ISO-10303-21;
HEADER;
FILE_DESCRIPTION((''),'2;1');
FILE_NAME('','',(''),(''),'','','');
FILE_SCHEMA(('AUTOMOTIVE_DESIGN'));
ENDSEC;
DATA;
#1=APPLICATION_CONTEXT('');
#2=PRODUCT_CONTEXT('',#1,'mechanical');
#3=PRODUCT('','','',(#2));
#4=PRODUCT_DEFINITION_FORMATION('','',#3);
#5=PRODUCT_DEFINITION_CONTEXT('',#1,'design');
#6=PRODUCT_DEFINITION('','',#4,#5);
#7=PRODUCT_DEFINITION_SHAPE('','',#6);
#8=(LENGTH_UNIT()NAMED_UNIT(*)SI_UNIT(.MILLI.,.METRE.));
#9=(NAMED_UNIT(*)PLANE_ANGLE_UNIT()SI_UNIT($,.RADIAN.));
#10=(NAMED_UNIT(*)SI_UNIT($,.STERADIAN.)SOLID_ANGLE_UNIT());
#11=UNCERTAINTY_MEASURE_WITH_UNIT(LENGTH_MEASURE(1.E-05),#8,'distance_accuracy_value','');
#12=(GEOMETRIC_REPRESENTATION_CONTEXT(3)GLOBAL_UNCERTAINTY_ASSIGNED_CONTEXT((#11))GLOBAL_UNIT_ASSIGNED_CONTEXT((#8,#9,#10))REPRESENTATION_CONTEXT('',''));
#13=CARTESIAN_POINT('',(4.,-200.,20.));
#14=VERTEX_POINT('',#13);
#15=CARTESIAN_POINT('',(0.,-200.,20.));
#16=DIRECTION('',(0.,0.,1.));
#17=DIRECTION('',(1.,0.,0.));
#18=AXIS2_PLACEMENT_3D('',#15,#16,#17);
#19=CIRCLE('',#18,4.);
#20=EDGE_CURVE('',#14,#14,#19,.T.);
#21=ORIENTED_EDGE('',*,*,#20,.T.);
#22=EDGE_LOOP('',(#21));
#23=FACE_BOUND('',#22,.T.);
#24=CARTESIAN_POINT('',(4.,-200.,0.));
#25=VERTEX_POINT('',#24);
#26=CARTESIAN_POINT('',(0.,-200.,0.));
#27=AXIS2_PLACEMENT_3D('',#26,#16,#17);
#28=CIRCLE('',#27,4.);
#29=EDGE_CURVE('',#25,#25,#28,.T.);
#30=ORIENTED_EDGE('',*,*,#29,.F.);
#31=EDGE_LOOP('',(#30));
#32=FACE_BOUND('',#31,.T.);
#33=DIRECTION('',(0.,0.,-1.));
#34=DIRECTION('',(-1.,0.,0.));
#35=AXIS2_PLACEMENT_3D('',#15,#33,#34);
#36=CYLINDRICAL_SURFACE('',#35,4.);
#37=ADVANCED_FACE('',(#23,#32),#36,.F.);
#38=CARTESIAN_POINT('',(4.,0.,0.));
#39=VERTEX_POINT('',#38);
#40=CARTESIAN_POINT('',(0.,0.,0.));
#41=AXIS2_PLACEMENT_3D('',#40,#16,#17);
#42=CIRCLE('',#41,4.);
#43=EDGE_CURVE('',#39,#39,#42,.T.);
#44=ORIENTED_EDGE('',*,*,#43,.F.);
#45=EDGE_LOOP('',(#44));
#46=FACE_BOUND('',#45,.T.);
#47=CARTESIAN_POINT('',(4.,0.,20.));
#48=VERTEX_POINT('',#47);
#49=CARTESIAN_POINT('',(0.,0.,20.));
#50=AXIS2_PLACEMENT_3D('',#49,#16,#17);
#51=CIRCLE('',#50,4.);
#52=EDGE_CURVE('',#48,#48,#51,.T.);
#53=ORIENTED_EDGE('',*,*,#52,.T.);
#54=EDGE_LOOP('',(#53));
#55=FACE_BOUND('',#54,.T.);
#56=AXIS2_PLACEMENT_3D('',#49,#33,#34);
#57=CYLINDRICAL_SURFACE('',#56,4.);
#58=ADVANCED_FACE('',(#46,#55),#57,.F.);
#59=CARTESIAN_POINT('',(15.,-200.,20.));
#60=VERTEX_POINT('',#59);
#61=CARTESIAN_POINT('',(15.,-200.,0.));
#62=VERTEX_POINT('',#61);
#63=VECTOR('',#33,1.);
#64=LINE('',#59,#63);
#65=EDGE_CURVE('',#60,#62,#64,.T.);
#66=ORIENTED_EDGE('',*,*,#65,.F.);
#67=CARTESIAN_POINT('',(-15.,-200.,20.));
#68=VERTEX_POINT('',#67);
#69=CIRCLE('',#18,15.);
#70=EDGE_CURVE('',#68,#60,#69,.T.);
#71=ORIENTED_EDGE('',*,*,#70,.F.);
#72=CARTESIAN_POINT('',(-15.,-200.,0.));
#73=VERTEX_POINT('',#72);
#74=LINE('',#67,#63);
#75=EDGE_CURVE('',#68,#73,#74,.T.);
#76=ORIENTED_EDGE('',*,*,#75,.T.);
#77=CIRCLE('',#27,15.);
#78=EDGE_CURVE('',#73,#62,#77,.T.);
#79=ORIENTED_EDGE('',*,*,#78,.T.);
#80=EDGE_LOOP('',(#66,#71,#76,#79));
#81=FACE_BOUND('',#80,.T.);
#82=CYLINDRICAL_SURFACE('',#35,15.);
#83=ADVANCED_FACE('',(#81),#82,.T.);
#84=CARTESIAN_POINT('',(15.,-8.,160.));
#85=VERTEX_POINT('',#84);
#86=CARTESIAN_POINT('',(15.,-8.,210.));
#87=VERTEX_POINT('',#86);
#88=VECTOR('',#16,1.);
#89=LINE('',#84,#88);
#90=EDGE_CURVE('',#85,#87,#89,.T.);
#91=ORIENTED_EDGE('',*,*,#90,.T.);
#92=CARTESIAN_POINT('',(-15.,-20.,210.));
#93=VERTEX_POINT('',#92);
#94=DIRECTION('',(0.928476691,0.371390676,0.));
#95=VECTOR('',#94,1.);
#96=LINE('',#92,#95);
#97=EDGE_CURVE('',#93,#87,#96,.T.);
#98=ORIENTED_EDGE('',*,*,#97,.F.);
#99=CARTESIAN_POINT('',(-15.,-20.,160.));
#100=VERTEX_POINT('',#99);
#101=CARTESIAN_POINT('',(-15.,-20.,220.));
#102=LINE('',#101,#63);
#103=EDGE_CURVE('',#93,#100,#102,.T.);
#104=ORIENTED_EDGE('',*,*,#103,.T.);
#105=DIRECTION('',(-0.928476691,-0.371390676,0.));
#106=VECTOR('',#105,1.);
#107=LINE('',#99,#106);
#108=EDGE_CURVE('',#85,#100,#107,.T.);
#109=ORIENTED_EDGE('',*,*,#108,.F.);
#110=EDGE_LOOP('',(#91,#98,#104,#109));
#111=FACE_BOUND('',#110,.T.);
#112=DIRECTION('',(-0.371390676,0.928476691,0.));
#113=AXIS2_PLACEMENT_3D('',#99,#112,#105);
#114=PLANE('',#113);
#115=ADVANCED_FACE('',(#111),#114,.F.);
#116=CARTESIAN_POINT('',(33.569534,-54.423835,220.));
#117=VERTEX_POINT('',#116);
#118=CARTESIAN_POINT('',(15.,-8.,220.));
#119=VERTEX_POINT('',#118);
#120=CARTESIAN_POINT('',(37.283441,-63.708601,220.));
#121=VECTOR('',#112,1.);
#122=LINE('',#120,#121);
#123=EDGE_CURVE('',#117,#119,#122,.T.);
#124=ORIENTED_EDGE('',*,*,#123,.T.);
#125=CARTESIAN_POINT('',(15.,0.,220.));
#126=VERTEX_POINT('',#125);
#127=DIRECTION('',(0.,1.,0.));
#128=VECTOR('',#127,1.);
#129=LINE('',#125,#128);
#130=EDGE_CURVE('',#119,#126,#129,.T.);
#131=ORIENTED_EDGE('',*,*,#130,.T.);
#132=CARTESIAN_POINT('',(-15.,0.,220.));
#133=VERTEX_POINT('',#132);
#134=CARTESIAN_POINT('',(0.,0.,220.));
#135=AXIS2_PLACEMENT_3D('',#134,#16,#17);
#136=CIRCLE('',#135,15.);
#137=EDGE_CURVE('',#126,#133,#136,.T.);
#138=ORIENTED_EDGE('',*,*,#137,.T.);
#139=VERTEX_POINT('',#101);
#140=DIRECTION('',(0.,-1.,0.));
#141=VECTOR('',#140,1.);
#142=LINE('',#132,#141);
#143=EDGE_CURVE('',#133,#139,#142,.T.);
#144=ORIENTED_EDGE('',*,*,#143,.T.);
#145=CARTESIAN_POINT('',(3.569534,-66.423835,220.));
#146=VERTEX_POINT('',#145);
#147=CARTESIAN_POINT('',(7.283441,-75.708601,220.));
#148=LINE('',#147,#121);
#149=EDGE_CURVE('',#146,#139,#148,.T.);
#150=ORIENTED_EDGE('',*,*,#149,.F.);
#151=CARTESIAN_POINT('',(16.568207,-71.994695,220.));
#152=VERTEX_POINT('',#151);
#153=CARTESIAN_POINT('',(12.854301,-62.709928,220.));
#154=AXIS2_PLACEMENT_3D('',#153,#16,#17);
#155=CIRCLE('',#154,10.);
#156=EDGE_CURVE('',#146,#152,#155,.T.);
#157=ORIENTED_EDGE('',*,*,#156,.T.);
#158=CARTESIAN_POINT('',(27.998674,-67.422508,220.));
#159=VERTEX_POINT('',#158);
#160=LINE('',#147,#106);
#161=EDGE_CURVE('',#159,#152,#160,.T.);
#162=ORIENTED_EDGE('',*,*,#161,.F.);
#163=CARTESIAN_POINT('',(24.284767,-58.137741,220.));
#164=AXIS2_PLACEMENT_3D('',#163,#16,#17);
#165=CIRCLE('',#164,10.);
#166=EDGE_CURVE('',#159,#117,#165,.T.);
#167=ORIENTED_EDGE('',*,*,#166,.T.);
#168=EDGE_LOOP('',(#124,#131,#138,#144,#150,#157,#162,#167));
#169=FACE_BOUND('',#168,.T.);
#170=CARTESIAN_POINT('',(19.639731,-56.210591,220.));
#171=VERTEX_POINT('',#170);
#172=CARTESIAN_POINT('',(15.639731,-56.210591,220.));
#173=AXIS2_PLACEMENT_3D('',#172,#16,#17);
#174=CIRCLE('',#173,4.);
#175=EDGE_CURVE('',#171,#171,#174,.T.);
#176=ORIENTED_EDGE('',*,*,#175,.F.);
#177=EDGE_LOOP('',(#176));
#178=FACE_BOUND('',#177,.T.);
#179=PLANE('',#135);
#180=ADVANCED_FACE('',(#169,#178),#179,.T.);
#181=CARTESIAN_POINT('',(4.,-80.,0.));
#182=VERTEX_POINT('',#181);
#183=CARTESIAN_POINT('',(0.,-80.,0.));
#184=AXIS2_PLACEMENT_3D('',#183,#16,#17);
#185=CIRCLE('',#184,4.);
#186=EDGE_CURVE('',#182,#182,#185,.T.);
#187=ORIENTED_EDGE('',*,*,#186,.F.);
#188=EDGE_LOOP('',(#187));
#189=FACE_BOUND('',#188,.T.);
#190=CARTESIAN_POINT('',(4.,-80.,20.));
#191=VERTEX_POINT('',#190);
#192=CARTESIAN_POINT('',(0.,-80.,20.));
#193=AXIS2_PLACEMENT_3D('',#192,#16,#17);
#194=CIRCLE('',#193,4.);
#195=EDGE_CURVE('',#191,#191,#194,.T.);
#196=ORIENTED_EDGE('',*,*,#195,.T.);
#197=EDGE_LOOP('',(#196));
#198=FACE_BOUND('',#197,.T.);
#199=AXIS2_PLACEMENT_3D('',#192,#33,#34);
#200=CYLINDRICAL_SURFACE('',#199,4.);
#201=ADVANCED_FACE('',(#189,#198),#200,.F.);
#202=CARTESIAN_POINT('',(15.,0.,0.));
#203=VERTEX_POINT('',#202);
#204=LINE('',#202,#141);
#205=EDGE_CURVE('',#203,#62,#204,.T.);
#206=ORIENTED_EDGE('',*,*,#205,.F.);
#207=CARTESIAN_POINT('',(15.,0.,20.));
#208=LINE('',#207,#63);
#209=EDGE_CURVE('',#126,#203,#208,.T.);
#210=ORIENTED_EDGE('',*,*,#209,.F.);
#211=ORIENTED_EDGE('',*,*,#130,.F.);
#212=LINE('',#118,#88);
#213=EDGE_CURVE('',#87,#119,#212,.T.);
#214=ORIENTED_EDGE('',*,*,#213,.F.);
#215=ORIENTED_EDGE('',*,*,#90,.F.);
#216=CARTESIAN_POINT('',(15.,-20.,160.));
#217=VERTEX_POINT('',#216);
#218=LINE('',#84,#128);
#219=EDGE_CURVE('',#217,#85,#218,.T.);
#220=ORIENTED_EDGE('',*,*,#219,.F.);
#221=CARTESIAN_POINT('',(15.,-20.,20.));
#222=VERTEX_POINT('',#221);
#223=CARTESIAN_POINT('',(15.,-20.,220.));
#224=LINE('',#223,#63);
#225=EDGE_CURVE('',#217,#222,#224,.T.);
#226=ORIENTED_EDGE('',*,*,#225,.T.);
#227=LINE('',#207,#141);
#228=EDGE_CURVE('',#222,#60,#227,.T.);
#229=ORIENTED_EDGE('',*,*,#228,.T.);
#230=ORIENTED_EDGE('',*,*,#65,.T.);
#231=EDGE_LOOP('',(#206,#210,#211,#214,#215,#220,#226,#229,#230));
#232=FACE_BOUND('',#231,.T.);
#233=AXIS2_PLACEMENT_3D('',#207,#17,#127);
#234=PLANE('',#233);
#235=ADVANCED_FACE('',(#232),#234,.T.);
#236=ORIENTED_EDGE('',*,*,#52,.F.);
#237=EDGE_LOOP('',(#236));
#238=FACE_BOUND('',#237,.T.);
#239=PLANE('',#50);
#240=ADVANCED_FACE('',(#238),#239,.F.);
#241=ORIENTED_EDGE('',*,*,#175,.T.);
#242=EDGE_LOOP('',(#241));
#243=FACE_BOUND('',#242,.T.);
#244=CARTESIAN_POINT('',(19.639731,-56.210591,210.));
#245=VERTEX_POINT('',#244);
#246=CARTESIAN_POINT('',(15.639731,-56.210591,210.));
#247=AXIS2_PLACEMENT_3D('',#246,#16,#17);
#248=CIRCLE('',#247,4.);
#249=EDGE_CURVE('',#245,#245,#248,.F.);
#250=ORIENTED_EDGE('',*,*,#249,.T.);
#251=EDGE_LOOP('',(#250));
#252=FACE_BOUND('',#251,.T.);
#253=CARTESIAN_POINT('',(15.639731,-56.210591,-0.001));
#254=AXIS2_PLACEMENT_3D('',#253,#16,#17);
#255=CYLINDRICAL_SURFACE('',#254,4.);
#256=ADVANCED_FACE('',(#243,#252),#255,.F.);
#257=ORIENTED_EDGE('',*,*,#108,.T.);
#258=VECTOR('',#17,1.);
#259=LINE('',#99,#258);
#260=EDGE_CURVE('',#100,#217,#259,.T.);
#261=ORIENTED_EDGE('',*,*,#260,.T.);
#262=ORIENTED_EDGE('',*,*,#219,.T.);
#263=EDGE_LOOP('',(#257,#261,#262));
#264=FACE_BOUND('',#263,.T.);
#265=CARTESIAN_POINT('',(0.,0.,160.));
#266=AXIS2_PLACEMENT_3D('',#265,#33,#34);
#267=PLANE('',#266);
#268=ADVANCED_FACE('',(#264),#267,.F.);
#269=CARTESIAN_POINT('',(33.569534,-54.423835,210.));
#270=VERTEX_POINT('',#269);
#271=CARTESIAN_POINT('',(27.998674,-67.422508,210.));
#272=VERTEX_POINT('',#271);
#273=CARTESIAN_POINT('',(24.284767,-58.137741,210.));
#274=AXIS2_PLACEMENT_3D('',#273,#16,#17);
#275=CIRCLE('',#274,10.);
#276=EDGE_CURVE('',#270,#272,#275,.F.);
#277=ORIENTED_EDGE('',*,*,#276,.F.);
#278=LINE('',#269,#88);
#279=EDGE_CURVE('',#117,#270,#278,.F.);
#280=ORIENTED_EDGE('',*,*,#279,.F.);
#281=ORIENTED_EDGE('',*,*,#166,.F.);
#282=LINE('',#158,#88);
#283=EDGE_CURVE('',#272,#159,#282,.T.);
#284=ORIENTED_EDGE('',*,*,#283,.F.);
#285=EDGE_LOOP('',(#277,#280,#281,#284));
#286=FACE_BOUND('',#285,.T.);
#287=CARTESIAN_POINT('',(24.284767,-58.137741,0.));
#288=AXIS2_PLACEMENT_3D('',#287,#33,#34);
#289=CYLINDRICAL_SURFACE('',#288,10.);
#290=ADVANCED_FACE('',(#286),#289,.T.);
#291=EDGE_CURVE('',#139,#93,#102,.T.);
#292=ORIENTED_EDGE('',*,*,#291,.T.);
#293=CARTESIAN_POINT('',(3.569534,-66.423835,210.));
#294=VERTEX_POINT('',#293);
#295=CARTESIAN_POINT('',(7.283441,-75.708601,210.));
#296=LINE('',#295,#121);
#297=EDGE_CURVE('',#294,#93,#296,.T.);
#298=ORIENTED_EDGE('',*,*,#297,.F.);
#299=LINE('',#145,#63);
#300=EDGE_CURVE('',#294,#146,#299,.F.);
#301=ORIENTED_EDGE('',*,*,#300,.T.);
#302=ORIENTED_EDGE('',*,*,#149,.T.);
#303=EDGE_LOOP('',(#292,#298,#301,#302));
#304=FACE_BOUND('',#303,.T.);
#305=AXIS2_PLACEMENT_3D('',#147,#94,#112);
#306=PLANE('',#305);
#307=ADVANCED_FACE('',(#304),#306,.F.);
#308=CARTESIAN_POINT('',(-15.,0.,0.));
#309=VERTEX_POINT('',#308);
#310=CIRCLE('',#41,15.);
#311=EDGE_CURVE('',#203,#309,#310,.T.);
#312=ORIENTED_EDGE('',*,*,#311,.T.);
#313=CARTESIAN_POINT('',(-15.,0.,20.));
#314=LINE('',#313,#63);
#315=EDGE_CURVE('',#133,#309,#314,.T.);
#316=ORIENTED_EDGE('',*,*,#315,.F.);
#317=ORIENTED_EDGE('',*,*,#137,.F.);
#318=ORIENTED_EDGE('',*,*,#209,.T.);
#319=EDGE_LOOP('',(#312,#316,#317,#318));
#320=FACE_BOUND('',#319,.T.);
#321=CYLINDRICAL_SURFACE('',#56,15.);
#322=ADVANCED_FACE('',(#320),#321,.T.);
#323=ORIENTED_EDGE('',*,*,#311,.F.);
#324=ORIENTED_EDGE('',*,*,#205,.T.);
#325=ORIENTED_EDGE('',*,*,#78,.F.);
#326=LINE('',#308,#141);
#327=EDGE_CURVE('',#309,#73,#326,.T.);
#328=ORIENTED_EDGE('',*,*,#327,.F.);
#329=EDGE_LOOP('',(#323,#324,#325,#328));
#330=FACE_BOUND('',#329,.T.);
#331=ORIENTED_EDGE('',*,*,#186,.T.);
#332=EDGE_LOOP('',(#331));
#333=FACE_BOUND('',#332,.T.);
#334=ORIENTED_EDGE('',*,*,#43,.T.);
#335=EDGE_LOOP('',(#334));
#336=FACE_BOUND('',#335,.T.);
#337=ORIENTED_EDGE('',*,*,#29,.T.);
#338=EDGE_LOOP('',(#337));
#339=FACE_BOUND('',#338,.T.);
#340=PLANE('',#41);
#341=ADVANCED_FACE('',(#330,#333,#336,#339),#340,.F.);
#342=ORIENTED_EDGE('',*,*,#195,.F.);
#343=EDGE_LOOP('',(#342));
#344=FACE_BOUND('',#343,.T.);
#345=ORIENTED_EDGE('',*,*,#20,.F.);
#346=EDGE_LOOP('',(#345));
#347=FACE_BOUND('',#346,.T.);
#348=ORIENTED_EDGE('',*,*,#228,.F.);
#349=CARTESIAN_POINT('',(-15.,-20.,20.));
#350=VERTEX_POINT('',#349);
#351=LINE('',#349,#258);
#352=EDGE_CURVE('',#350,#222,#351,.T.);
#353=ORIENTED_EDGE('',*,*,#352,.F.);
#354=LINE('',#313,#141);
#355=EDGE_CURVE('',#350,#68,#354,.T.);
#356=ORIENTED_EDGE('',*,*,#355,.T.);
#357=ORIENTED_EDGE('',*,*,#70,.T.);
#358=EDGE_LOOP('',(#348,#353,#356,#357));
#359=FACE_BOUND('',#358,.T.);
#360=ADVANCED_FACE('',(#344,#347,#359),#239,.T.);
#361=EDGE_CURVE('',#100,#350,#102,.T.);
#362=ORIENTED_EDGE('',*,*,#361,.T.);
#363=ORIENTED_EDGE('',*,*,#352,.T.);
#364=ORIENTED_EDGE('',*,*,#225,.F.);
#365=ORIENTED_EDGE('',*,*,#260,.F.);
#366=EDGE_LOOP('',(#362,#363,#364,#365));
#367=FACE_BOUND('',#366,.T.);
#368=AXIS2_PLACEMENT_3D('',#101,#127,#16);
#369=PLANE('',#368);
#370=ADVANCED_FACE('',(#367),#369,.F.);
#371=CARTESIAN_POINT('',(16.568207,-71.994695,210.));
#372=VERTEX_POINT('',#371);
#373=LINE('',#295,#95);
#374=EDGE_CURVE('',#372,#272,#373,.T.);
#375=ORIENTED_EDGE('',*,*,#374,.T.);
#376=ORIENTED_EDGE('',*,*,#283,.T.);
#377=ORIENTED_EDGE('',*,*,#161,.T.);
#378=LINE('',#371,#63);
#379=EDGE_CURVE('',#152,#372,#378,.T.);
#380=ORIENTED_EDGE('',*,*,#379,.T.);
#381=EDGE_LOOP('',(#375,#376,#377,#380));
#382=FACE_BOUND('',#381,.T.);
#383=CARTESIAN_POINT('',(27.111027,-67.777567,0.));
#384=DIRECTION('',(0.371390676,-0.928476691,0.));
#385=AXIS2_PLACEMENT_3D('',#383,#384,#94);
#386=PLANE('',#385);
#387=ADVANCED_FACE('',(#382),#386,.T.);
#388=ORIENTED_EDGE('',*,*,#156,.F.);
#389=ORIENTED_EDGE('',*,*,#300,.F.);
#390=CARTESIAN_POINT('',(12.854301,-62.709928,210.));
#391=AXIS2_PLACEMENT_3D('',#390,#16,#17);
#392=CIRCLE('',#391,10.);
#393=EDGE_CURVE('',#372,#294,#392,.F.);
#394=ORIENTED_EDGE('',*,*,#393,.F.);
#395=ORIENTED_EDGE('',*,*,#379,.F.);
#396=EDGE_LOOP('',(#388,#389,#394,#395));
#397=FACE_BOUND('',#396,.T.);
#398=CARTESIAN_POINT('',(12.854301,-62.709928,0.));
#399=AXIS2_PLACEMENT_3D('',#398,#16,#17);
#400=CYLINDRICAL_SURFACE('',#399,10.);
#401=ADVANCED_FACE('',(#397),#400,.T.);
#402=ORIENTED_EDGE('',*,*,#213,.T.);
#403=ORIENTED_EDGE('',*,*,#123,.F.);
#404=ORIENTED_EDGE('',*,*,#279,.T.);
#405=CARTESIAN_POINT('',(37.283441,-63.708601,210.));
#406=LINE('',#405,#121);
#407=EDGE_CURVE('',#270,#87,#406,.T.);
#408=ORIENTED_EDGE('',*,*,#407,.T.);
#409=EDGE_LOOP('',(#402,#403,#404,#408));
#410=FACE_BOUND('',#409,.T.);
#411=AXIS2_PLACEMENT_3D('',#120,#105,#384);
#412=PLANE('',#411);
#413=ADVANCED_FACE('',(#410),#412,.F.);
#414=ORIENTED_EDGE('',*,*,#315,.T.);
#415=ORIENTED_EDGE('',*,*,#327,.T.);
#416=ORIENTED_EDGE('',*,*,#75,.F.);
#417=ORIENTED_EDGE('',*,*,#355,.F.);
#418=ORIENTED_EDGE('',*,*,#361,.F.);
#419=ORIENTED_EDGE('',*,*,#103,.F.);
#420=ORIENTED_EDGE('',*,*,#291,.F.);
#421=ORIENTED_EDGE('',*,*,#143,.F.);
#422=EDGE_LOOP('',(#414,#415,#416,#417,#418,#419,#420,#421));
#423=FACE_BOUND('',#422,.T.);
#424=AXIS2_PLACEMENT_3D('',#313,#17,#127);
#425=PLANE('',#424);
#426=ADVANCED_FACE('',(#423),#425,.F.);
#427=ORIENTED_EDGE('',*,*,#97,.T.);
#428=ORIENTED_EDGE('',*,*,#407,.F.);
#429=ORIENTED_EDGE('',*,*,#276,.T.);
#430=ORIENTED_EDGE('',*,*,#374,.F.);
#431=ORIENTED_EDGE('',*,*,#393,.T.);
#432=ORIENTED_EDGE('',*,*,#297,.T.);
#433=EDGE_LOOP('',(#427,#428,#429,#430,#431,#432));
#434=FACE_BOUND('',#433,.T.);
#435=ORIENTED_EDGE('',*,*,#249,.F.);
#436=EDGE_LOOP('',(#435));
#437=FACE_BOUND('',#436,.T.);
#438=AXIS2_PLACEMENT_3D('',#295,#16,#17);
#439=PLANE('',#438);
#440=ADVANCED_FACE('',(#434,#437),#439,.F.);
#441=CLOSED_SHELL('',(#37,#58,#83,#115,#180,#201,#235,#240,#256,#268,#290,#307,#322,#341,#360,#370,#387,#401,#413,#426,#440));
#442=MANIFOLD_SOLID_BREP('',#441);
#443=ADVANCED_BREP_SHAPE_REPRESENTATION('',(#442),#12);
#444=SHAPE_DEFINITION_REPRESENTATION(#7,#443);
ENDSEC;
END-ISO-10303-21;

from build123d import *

# Parameters (mm, degrees)
ESQUISSE1_R             = 15
ESQUISSE1_R_2           = 4
BOSS_EXTRU_1_DEPTH      = 20
BOSS_EXTRU_2_DEPTH      = 200
ENL_V_MAT_EXTRU_2_DEPTH = 60
ESQUISSE3_W             = 32.310988843
ESQUISSE3_H             = 10
BOSS_EXTRU_3_DEPTH      = 60
CONG_2_R                = 10
ENL_V_MAT_EXTRU_1_REACH = 311.516
ESQUISSE4_R             = 4


with BuildPart() as part:
    # Esquisse1 → Boss.-Extru.1 (new body)
    # profile 1 of 5: a face of its own
    with BuildSketch(Plane.XY):
        Circle(ESQUISSE1_R)
        Circle(ESQUISSE1_R_2, mode=Mode.SUBTRACT)
    # profile 2 of 5: a face of its own
    with BuildSketch(Plane.XY):
        with Locations((0, -80)):
            Circle(ESQUISSE1_R)
        with Locations((0, -80)):
            Circle(ESQUISSE1_R_2, mode=Mode.SUBTRACT)
    # profile 3 of 5: a face of its own
    with BuildSketch(Plane.XY):
        with BuildLine():
            ThreePointArc((15, 0), (0, -15), (-15, 0))
            Line((-15, 0), (-15, -80.000000008))
            ThreePointArc((-15, -80.000000008), (-4e-09, -65), (15, -80))
            Line((15, -80), (15, 0))
        make_face()
    # profile 4 of 5: a face of its own
    with BuildSketch(Plane.XY):
        with BuildLine():
            ThreePointArc((15, -80), (4e-09, -95), (-15, -80.000000008))
            Line((-15, -80.000000008), (-15, -200))
            ThreePointArc((-15, -200), (0, -185), (15, -200))
            Line((15, -200), (15, -80))
        make_face()
    # profile 5 of 5: a face of its own
    with BuildSketch(Plane.XY):
        with Locations((0, -200)):
            Circle(ESQUISSE1_R)
        with Locations((0, -200)):
            Circle(ESQUISSE1_R_2, mode=Mode.SUBTRACT)
    extrude(amount=BOSS_EXTRU_1_DEPTH)

    # Esquisse2 → Boss.-Extru.2 (add)
    with BuildSketch(Plane.XY.offset(20)):
        with BuildLine():
            Line((-15, 0), (-15, -20))
            Line((-15, -20), (15, -20))
            Line((15, -20), (15, 0))
            ThreePointArc((15, 0), (0, 15), (-15, 0))
        make_face()
    extrude(amount=BOSS_EXTRU_2_DEPTH)

    # Esquisse5 → Enlèv. mat.-Extru.2 (cut)
    with BuildSketch(Plane.XY.offset(220)):
        Polygon((-15, -20), (15, -8), (15, -20), align=None)
    extrude(amount=-ENL_V_MAT_EXTRU_2_DEPTH, mode=Mode.SUBTRACT)

    # Esquisse3 → Boss.-Extru.3 (add)
    with BuildSketch(Plane(origin=(-1.072849637, -14.429139855, 0), x_dir=(0.9284766908852593, 0.3713906763541038, 0), z_dir=(0.3713906763541038, -0.9284766908852594, 0))):
        with Locations((1.155494421, 215)):
            Rectangle(ESQUISSE3_W, ESQUISSE3_H)
    extrude(amount=BOSS_EXTRU_3_DEPTH)

    # Congé2
    cong_2_edges = [part.edges().sort_by_distance(p)[0] for p in [
        (7.283440581, -75.708601453, 215),
        (37.283440581, -63.708601453, 215),
    ]]
    fillet(cong_2_edges, radius=CONG_2_R)

    # Esquisse4 → Enlèv. mat.-Extru.1 (cut, up to next)
    with BuildSketch(Plane.XY.offset(220), mode=Mode.PRIVATE) as enl_v_mat_extru_1_sk1:
        with Locations((15.639730799, -56.210590945)):
            Circle(ESQUISSE4_R)
    enl_v_mat_extru_1_tool1 = extrude(enl_v_mat_extru_1_sk1.sketch, amount=-ENL_V_MAT_EXTRU_1_REACH, mode=Mode.PRIVATE) & part.part
    add(enl_v_mat_extru_1_tool1.solids().sort_by_distance((15.639731, -56.210591, 220))[0], mode=Mode.SUBTRACT)


solid = part.part
